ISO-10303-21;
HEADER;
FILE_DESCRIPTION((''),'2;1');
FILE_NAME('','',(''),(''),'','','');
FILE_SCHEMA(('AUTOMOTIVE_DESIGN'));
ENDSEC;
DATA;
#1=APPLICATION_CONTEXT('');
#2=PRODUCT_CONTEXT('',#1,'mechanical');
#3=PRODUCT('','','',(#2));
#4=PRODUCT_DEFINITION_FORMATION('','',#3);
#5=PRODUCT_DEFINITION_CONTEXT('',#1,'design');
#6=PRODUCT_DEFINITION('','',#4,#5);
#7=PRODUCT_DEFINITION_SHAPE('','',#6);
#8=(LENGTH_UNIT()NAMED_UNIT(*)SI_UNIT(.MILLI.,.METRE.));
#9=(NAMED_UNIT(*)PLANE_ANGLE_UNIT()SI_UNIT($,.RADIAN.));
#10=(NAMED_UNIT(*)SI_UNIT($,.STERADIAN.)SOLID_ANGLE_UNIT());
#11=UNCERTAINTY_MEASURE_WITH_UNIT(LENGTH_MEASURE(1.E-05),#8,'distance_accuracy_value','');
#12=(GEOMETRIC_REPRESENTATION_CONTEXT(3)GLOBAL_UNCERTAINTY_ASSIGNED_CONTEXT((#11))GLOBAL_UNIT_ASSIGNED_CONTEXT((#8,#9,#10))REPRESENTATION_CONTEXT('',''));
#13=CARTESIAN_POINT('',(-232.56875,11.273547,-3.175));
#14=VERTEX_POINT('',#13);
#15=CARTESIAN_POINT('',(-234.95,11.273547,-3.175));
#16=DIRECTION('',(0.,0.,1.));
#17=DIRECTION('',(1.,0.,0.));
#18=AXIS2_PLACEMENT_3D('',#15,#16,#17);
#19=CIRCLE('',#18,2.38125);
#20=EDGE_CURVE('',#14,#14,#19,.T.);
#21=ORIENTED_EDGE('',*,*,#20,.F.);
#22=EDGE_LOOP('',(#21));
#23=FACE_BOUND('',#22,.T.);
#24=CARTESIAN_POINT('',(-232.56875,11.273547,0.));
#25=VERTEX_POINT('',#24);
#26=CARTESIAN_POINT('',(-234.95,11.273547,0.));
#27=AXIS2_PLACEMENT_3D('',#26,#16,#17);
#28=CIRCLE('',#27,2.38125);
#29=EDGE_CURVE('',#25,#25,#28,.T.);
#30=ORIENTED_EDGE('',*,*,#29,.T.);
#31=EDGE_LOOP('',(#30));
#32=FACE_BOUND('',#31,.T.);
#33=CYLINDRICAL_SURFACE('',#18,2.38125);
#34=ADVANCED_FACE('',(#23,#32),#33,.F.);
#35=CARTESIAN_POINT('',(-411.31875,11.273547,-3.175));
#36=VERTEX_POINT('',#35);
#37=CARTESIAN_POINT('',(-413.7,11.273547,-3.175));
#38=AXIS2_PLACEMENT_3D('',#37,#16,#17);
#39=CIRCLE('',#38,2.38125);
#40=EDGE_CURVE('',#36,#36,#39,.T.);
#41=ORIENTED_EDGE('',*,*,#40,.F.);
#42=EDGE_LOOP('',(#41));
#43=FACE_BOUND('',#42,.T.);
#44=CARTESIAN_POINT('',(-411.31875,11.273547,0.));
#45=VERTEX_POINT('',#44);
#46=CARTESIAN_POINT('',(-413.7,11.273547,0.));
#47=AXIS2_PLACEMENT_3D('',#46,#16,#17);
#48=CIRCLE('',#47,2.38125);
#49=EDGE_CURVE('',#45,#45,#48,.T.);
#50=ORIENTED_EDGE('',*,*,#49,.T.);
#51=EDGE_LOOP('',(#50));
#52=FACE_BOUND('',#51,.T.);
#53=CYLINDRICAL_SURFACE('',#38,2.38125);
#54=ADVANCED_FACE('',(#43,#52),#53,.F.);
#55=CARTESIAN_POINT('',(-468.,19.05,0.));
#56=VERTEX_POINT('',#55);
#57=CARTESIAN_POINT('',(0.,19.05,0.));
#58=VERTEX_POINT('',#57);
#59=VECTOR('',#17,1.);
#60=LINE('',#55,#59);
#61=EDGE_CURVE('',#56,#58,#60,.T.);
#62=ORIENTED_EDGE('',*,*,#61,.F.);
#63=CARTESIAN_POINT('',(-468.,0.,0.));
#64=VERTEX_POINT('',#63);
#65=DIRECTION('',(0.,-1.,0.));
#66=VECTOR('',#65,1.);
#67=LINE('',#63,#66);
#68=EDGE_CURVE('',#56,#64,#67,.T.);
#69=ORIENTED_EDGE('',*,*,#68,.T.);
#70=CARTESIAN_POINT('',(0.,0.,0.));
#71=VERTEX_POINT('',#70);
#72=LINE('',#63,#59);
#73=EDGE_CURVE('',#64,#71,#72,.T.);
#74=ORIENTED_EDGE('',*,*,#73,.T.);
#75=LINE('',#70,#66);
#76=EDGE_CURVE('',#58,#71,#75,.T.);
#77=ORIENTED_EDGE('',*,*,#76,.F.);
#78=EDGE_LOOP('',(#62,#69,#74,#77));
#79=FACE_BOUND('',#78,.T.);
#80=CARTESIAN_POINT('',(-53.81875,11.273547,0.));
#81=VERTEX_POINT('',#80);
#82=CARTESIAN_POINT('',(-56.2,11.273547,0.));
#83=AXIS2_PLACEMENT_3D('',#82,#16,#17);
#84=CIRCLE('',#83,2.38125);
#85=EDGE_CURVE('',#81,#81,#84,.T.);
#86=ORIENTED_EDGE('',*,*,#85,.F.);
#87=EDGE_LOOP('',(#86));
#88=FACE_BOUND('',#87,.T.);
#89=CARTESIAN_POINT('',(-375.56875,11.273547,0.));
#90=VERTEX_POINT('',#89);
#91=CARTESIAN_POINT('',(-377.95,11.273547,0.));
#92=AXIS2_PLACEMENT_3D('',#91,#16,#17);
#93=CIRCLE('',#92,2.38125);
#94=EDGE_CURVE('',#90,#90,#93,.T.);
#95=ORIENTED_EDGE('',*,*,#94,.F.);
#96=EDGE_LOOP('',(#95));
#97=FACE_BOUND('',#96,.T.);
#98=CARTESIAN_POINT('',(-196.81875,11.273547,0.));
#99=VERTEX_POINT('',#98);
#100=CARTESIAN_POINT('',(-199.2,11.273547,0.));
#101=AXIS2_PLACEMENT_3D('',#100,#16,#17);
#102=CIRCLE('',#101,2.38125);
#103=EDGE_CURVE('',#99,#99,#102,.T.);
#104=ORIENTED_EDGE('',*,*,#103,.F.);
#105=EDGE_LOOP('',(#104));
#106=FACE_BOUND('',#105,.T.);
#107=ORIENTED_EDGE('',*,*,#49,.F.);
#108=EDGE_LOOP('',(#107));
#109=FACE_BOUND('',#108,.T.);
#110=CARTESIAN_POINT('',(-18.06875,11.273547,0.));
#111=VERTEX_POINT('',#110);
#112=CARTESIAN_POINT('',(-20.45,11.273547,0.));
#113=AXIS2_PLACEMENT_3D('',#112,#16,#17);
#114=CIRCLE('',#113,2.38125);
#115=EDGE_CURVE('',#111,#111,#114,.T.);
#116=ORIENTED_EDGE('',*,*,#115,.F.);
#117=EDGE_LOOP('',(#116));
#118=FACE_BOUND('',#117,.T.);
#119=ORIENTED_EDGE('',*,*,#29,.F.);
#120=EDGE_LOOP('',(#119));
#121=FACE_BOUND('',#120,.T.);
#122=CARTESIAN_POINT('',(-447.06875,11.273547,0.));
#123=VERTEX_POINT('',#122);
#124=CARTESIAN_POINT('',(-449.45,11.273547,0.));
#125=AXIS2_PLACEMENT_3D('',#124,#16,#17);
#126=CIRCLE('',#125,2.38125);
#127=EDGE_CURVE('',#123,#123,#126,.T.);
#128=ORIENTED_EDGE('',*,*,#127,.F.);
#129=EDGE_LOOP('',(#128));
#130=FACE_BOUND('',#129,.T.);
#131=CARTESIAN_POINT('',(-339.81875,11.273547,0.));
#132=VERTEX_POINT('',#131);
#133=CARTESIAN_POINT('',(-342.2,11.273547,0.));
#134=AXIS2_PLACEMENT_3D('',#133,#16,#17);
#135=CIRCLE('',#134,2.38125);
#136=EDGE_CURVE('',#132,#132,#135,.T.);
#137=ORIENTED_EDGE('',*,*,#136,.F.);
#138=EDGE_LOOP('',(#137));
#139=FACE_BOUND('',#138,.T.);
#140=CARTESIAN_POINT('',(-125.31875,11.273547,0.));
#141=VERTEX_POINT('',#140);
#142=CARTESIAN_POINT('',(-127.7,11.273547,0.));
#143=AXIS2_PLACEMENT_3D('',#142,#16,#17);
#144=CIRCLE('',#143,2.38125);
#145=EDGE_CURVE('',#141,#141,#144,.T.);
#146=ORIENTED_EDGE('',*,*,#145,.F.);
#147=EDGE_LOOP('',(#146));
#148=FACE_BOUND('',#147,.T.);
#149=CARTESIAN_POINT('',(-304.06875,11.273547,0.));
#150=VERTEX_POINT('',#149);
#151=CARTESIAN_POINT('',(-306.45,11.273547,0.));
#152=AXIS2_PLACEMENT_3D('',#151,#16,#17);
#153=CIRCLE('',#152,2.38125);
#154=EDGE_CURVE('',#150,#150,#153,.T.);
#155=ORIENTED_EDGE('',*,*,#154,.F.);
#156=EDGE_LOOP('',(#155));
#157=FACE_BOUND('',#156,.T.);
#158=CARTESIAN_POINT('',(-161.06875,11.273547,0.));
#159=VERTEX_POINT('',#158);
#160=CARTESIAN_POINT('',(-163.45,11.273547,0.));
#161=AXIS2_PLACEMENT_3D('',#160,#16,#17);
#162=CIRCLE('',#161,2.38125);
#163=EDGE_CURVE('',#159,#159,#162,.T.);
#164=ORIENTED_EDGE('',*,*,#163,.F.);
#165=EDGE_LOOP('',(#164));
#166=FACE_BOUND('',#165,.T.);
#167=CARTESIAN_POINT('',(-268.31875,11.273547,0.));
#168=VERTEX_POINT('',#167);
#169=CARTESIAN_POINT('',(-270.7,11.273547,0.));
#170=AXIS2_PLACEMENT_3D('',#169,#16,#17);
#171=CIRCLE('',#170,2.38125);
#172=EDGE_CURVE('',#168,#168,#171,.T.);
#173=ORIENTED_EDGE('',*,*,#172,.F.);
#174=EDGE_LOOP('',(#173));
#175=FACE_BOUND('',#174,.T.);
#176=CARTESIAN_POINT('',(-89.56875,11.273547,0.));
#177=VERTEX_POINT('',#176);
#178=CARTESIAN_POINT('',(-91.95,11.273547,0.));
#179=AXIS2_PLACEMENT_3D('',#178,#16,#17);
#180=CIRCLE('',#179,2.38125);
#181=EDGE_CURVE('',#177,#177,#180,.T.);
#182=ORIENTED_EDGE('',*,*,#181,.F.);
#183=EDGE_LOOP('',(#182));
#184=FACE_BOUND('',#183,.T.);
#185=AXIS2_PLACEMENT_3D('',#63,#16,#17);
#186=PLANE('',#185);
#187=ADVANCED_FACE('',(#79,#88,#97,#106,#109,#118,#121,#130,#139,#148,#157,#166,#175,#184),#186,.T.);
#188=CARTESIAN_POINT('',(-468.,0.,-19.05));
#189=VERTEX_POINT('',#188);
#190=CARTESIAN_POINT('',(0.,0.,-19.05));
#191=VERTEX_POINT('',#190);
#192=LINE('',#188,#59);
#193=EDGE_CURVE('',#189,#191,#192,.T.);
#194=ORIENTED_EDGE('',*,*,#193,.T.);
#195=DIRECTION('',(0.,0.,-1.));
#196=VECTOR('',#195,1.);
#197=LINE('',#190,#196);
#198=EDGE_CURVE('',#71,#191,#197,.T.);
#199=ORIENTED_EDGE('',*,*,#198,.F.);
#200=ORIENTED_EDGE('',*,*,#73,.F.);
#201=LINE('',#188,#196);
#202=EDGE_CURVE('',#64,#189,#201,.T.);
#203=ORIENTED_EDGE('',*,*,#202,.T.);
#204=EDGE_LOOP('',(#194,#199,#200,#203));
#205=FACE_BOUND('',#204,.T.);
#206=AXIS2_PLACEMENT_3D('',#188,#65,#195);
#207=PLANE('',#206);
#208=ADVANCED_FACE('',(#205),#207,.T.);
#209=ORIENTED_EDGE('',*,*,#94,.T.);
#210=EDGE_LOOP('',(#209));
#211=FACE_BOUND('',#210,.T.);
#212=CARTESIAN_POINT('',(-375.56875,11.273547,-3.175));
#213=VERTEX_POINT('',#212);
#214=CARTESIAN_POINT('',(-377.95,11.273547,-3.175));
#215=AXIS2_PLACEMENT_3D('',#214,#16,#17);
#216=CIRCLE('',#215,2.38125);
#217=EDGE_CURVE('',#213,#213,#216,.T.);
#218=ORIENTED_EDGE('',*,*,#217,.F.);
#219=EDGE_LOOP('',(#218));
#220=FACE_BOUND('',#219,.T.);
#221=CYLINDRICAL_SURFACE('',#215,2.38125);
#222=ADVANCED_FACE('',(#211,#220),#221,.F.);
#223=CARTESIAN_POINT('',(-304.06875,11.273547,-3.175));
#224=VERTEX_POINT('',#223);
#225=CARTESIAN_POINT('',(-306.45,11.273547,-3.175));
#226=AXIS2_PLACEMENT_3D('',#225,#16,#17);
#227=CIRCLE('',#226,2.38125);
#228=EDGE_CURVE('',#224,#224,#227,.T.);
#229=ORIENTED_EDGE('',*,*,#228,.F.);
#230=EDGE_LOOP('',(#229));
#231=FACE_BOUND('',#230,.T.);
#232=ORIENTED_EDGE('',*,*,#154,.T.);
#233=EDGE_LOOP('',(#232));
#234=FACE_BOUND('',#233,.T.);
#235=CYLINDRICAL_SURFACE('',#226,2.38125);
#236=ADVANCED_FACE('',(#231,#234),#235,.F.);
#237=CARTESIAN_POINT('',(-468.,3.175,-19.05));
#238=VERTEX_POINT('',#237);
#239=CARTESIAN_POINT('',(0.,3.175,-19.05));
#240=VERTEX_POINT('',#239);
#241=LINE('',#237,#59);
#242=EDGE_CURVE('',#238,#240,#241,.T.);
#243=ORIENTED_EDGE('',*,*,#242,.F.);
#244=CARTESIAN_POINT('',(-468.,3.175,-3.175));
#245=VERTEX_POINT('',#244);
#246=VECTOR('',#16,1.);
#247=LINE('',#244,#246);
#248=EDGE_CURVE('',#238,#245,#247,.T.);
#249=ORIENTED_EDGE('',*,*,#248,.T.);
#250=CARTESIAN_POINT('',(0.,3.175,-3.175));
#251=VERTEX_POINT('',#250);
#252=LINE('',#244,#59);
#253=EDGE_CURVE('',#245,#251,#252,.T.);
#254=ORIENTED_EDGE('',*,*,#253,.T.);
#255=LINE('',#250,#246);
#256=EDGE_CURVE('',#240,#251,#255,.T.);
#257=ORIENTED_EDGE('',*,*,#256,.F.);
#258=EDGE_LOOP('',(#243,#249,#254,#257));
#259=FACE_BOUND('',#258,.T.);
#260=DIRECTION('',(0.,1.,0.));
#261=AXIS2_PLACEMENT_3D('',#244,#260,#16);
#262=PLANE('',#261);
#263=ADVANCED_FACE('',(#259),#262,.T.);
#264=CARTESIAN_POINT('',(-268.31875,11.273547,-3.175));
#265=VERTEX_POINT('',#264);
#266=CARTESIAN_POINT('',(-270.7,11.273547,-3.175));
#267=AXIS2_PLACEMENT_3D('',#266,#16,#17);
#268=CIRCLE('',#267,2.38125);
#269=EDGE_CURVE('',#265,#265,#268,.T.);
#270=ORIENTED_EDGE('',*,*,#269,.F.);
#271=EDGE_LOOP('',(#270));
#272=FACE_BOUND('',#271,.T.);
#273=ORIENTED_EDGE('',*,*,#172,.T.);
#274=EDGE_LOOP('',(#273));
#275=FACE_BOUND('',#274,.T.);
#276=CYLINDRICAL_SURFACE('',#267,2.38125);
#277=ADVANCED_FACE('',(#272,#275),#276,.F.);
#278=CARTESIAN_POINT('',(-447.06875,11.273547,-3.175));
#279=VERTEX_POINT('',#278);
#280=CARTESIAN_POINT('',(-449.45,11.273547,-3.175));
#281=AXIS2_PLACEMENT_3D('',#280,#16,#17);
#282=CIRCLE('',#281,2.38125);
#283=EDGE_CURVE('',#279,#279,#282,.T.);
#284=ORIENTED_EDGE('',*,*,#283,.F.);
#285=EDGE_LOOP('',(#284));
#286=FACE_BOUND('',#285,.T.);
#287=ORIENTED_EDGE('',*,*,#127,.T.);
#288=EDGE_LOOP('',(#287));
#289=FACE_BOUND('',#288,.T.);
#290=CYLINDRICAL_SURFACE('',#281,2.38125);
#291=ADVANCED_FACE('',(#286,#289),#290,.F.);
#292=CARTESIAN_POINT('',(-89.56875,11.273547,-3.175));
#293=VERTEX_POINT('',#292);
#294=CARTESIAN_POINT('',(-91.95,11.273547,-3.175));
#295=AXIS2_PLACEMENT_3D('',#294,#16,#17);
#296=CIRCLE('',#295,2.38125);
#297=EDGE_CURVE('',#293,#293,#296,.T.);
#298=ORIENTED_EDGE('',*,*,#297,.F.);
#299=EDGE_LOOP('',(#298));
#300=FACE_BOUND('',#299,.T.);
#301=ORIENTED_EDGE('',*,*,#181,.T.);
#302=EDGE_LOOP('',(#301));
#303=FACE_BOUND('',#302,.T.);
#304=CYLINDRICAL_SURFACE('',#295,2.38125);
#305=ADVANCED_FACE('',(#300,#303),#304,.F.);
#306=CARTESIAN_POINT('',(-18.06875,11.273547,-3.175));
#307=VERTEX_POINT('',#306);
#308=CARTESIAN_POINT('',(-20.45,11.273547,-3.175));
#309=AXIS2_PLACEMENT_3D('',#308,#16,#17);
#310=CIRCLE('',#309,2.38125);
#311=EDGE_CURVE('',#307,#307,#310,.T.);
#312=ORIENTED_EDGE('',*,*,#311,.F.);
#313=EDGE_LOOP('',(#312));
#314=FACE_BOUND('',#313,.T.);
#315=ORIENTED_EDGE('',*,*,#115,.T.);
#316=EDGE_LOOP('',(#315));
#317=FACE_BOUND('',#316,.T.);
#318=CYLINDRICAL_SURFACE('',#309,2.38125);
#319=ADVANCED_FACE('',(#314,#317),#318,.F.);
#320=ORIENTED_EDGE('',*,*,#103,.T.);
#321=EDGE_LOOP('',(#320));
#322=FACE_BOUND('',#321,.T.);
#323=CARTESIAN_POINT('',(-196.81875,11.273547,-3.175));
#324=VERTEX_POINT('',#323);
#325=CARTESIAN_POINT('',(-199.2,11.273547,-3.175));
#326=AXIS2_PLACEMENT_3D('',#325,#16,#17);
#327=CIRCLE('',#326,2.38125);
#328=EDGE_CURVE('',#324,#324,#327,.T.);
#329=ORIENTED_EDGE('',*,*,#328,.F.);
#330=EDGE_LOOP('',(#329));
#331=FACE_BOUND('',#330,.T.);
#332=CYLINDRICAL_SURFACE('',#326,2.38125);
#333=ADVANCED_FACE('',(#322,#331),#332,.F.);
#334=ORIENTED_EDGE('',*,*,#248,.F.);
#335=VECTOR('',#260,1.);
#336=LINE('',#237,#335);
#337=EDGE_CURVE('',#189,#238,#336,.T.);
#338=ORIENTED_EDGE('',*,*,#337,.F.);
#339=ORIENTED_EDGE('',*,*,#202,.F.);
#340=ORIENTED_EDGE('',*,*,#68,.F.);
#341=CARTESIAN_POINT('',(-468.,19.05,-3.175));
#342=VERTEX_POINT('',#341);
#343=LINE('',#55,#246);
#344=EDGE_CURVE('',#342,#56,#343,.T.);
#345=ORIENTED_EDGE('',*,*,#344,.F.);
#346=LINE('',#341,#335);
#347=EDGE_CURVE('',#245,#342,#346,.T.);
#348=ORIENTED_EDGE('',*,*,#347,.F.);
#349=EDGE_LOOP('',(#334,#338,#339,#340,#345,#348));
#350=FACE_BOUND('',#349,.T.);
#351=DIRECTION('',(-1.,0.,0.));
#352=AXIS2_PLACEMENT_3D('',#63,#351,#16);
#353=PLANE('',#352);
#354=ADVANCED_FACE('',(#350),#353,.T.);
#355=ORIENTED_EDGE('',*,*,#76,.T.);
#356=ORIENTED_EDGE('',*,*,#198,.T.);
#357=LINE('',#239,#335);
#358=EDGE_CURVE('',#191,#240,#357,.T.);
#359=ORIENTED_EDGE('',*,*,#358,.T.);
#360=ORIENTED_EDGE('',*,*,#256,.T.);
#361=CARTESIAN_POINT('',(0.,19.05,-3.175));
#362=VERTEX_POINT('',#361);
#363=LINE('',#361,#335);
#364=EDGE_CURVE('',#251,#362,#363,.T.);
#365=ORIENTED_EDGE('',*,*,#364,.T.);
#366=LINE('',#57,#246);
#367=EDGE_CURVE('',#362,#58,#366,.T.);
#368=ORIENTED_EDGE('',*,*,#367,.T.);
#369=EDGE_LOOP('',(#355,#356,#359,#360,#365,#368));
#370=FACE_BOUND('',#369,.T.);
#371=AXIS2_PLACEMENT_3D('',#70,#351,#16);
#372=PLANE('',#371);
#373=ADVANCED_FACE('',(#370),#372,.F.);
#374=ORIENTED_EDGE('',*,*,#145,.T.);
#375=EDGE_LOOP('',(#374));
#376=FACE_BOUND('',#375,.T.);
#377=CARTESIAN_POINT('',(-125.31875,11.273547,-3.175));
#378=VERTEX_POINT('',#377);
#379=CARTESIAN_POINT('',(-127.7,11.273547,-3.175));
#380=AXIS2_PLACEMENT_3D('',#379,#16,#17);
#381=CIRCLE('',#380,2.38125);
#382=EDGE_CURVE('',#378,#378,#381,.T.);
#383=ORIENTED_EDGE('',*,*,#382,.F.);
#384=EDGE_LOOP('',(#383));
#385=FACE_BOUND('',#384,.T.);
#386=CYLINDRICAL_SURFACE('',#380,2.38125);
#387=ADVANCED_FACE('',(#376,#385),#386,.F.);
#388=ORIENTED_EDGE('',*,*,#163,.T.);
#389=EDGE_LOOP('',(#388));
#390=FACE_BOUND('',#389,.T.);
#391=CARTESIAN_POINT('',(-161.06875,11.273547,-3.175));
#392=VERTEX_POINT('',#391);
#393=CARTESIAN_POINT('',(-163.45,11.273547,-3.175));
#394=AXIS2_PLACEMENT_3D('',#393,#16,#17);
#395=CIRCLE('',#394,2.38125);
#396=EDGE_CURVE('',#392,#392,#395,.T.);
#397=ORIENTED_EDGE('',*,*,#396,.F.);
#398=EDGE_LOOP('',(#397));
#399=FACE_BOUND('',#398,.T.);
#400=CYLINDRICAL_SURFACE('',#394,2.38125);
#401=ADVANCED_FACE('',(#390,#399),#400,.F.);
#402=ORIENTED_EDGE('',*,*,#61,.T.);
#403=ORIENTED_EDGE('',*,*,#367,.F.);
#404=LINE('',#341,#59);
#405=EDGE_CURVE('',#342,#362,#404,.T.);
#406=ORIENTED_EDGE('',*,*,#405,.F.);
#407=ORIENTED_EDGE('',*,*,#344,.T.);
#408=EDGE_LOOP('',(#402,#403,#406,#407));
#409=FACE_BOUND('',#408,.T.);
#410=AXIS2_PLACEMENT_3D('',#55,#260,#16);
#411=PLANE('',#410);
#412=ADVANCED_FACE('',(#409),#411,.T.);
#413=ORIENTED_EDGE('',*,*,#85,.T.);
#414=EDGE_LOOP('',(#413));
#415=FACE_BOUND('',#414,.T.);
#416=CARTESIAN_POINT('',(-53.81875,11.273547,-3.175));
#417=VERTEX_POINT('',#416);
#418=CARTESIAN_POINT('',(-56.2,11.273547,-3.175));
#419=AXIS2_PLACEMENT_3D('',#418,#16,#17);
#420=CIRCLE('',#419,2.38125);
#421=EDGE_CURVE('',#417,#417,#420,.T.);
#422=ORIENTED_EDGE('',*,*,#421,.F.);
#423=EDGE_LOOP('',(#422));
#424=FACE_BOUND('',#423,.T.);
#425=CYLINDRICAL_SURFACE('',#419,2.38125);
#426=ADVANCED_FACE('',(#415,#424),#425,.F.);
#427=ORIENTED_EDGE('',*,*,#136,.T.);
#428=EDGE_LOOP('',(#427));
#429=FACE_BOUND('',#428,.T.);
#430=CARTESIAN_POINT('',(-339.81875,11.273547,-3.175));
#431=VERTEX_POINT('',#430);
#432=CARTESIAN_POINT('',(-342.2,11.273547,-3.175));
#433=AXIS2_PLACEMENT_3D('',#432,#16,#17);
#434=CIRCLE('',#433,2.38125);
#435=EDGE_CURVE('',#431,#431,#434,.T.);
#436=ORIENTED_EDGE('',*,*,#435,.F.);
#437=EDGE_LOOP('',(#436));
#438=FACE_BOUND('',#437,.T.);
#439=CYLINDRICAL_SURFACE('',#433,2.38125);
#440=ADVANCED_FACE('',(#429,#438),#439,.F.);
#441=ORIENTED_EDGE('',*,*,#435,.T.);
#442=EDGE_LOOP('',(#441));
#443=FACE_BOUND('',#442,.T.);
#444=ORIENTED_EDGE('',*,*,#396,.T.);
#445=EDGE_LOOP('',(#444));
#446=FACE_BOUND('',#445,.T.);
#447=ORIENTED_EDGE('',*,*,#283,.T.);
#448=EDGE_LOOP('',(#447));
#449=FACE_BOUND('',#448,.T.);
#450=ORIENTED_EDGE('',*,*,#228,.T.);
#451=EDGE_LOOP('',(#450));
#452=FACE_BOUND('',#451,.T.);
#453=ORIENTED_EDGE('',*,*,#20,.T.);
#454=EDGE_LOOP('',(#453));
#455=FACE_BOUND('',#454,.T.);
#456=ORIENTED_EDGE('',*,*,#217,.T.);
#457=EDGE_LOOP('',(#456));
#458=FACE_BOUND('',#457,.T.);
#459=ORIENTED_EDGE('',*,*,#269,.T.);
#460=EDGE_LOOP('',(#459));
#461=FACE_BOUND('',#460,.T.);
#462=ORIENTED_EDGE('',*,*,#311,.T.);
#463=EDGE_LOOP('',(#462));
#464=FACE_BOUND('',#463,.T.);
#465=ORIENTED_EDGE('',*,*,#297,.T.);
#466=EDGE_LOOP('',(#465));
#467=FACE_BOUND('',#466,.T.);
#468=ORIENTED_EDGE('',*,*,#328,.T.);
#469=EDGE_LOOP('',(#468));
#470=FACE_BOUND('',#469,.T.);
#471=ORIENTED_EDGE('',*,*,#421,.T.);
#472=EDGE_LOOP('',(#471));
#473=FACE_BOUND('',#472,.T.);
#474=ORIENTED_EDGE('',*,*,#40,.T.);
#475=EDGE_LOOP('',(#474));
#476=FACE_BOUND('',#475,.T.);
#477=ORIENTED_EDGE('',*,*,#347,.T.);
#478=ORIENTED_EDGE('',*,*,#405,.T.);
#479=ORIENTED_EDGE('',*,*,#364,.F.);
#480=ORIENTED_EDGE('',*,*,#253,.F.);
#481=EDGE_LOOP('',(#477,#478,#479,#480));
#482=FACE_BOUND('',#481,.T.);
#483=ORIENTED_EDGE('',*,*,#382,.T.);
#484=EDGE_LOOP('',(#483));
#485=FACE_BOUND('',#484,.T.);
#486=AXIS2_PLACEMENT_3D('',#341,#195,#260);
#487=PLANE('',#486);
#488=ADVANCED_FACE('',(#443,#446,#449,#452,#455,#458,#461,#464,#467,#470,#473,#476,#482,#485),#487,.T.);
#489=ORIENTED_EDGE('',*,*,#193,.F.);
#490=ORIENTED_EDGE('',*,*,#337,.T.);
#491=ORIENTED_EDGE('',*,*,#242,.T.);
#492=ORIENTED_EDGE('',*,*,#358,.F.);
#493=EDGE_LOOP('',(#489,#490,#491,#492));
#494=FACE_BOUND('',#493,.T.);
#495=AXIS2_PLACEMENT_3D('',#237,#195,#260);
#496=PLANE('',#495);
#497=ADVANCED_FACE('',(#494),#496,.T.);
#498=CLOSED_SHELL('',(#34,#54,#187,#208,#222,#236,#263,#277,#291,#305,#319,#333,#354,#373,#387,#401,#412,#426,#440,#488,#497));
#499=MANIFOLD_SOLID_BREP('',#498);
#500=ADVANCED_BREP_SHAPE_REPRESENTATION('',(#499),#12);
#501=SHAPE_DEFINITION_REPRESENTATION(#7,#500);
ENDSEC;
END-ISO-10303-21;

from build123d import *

# Parameters (mm, degrees)
BOSS_EXTRUDE1_DEPTH = 468
SKETCH2_R           = 2.38125
CUT_EXTRUDE1_DEPTH  = 3.175


with BuildPart() as part:
    # Sketch1 → Boss-Extrude1 (new body)
    with BuildSketch(Plane(origin=(0, 0, 0), x_dir=(0, 0, -1), z_dir=(1, 0, 0))):
        Polygon((0, 0), (0, 19.05), (3.175, 19.05), (3.175, 3.175), (19.05, 3.175), (19.05, 0), align=None)
    extrude(amount=-BOSS_EXTRUDE1_DEPTH)

    # Sketch2 → Cut-Extrude1 (cut)
    with BuildSketch(Plane.XY):
        with Locations((-449.45, 11.273546723)):
            Circle(SKETCH2_R)
        with Locations((-413.7, 11.273546723)):
            Circle(SKETCH2_R)
        with Locations((-377.95, 11.273546723)):
            Circle(SKETCH2_R)
        with Locations((-342.2, 11.273546723)):
            Circle(SKETCH2_R)
        with Locations((-306.45, 11.273546723)):
            Circle(SKETCH2_R)
        with Locations((-270.7, 11.273546723)):
            Circle(SKETCH2_R)
        with Locations((-234.95, 11.273546723)):
            Circle(SKETCH2_R)
        with Locations((-199.2, 11.273546723)):
            Circle(SKETCH2_R)
        with Locations((-163.45, 11.273546723)):
            Circle(SKETCH2_R)
        with Locations((-127.7, 11.273546723)):
            Circle(SKETCH2_R)
        with Locations((-91.95, 11.273546723)):
            Circle(SKETCH2_R)
        with Locations((-56.2, 11.273546723)):
            Circle(SKETCH2_R)
        with Locations((-20.45, 11.273546723)):
            Circle(SKETCH2_R)
    extrude(amount=-CUT_EXTRUDE1_DEPTH, mode=Mode.SUBTRACT)


solid = part.part
